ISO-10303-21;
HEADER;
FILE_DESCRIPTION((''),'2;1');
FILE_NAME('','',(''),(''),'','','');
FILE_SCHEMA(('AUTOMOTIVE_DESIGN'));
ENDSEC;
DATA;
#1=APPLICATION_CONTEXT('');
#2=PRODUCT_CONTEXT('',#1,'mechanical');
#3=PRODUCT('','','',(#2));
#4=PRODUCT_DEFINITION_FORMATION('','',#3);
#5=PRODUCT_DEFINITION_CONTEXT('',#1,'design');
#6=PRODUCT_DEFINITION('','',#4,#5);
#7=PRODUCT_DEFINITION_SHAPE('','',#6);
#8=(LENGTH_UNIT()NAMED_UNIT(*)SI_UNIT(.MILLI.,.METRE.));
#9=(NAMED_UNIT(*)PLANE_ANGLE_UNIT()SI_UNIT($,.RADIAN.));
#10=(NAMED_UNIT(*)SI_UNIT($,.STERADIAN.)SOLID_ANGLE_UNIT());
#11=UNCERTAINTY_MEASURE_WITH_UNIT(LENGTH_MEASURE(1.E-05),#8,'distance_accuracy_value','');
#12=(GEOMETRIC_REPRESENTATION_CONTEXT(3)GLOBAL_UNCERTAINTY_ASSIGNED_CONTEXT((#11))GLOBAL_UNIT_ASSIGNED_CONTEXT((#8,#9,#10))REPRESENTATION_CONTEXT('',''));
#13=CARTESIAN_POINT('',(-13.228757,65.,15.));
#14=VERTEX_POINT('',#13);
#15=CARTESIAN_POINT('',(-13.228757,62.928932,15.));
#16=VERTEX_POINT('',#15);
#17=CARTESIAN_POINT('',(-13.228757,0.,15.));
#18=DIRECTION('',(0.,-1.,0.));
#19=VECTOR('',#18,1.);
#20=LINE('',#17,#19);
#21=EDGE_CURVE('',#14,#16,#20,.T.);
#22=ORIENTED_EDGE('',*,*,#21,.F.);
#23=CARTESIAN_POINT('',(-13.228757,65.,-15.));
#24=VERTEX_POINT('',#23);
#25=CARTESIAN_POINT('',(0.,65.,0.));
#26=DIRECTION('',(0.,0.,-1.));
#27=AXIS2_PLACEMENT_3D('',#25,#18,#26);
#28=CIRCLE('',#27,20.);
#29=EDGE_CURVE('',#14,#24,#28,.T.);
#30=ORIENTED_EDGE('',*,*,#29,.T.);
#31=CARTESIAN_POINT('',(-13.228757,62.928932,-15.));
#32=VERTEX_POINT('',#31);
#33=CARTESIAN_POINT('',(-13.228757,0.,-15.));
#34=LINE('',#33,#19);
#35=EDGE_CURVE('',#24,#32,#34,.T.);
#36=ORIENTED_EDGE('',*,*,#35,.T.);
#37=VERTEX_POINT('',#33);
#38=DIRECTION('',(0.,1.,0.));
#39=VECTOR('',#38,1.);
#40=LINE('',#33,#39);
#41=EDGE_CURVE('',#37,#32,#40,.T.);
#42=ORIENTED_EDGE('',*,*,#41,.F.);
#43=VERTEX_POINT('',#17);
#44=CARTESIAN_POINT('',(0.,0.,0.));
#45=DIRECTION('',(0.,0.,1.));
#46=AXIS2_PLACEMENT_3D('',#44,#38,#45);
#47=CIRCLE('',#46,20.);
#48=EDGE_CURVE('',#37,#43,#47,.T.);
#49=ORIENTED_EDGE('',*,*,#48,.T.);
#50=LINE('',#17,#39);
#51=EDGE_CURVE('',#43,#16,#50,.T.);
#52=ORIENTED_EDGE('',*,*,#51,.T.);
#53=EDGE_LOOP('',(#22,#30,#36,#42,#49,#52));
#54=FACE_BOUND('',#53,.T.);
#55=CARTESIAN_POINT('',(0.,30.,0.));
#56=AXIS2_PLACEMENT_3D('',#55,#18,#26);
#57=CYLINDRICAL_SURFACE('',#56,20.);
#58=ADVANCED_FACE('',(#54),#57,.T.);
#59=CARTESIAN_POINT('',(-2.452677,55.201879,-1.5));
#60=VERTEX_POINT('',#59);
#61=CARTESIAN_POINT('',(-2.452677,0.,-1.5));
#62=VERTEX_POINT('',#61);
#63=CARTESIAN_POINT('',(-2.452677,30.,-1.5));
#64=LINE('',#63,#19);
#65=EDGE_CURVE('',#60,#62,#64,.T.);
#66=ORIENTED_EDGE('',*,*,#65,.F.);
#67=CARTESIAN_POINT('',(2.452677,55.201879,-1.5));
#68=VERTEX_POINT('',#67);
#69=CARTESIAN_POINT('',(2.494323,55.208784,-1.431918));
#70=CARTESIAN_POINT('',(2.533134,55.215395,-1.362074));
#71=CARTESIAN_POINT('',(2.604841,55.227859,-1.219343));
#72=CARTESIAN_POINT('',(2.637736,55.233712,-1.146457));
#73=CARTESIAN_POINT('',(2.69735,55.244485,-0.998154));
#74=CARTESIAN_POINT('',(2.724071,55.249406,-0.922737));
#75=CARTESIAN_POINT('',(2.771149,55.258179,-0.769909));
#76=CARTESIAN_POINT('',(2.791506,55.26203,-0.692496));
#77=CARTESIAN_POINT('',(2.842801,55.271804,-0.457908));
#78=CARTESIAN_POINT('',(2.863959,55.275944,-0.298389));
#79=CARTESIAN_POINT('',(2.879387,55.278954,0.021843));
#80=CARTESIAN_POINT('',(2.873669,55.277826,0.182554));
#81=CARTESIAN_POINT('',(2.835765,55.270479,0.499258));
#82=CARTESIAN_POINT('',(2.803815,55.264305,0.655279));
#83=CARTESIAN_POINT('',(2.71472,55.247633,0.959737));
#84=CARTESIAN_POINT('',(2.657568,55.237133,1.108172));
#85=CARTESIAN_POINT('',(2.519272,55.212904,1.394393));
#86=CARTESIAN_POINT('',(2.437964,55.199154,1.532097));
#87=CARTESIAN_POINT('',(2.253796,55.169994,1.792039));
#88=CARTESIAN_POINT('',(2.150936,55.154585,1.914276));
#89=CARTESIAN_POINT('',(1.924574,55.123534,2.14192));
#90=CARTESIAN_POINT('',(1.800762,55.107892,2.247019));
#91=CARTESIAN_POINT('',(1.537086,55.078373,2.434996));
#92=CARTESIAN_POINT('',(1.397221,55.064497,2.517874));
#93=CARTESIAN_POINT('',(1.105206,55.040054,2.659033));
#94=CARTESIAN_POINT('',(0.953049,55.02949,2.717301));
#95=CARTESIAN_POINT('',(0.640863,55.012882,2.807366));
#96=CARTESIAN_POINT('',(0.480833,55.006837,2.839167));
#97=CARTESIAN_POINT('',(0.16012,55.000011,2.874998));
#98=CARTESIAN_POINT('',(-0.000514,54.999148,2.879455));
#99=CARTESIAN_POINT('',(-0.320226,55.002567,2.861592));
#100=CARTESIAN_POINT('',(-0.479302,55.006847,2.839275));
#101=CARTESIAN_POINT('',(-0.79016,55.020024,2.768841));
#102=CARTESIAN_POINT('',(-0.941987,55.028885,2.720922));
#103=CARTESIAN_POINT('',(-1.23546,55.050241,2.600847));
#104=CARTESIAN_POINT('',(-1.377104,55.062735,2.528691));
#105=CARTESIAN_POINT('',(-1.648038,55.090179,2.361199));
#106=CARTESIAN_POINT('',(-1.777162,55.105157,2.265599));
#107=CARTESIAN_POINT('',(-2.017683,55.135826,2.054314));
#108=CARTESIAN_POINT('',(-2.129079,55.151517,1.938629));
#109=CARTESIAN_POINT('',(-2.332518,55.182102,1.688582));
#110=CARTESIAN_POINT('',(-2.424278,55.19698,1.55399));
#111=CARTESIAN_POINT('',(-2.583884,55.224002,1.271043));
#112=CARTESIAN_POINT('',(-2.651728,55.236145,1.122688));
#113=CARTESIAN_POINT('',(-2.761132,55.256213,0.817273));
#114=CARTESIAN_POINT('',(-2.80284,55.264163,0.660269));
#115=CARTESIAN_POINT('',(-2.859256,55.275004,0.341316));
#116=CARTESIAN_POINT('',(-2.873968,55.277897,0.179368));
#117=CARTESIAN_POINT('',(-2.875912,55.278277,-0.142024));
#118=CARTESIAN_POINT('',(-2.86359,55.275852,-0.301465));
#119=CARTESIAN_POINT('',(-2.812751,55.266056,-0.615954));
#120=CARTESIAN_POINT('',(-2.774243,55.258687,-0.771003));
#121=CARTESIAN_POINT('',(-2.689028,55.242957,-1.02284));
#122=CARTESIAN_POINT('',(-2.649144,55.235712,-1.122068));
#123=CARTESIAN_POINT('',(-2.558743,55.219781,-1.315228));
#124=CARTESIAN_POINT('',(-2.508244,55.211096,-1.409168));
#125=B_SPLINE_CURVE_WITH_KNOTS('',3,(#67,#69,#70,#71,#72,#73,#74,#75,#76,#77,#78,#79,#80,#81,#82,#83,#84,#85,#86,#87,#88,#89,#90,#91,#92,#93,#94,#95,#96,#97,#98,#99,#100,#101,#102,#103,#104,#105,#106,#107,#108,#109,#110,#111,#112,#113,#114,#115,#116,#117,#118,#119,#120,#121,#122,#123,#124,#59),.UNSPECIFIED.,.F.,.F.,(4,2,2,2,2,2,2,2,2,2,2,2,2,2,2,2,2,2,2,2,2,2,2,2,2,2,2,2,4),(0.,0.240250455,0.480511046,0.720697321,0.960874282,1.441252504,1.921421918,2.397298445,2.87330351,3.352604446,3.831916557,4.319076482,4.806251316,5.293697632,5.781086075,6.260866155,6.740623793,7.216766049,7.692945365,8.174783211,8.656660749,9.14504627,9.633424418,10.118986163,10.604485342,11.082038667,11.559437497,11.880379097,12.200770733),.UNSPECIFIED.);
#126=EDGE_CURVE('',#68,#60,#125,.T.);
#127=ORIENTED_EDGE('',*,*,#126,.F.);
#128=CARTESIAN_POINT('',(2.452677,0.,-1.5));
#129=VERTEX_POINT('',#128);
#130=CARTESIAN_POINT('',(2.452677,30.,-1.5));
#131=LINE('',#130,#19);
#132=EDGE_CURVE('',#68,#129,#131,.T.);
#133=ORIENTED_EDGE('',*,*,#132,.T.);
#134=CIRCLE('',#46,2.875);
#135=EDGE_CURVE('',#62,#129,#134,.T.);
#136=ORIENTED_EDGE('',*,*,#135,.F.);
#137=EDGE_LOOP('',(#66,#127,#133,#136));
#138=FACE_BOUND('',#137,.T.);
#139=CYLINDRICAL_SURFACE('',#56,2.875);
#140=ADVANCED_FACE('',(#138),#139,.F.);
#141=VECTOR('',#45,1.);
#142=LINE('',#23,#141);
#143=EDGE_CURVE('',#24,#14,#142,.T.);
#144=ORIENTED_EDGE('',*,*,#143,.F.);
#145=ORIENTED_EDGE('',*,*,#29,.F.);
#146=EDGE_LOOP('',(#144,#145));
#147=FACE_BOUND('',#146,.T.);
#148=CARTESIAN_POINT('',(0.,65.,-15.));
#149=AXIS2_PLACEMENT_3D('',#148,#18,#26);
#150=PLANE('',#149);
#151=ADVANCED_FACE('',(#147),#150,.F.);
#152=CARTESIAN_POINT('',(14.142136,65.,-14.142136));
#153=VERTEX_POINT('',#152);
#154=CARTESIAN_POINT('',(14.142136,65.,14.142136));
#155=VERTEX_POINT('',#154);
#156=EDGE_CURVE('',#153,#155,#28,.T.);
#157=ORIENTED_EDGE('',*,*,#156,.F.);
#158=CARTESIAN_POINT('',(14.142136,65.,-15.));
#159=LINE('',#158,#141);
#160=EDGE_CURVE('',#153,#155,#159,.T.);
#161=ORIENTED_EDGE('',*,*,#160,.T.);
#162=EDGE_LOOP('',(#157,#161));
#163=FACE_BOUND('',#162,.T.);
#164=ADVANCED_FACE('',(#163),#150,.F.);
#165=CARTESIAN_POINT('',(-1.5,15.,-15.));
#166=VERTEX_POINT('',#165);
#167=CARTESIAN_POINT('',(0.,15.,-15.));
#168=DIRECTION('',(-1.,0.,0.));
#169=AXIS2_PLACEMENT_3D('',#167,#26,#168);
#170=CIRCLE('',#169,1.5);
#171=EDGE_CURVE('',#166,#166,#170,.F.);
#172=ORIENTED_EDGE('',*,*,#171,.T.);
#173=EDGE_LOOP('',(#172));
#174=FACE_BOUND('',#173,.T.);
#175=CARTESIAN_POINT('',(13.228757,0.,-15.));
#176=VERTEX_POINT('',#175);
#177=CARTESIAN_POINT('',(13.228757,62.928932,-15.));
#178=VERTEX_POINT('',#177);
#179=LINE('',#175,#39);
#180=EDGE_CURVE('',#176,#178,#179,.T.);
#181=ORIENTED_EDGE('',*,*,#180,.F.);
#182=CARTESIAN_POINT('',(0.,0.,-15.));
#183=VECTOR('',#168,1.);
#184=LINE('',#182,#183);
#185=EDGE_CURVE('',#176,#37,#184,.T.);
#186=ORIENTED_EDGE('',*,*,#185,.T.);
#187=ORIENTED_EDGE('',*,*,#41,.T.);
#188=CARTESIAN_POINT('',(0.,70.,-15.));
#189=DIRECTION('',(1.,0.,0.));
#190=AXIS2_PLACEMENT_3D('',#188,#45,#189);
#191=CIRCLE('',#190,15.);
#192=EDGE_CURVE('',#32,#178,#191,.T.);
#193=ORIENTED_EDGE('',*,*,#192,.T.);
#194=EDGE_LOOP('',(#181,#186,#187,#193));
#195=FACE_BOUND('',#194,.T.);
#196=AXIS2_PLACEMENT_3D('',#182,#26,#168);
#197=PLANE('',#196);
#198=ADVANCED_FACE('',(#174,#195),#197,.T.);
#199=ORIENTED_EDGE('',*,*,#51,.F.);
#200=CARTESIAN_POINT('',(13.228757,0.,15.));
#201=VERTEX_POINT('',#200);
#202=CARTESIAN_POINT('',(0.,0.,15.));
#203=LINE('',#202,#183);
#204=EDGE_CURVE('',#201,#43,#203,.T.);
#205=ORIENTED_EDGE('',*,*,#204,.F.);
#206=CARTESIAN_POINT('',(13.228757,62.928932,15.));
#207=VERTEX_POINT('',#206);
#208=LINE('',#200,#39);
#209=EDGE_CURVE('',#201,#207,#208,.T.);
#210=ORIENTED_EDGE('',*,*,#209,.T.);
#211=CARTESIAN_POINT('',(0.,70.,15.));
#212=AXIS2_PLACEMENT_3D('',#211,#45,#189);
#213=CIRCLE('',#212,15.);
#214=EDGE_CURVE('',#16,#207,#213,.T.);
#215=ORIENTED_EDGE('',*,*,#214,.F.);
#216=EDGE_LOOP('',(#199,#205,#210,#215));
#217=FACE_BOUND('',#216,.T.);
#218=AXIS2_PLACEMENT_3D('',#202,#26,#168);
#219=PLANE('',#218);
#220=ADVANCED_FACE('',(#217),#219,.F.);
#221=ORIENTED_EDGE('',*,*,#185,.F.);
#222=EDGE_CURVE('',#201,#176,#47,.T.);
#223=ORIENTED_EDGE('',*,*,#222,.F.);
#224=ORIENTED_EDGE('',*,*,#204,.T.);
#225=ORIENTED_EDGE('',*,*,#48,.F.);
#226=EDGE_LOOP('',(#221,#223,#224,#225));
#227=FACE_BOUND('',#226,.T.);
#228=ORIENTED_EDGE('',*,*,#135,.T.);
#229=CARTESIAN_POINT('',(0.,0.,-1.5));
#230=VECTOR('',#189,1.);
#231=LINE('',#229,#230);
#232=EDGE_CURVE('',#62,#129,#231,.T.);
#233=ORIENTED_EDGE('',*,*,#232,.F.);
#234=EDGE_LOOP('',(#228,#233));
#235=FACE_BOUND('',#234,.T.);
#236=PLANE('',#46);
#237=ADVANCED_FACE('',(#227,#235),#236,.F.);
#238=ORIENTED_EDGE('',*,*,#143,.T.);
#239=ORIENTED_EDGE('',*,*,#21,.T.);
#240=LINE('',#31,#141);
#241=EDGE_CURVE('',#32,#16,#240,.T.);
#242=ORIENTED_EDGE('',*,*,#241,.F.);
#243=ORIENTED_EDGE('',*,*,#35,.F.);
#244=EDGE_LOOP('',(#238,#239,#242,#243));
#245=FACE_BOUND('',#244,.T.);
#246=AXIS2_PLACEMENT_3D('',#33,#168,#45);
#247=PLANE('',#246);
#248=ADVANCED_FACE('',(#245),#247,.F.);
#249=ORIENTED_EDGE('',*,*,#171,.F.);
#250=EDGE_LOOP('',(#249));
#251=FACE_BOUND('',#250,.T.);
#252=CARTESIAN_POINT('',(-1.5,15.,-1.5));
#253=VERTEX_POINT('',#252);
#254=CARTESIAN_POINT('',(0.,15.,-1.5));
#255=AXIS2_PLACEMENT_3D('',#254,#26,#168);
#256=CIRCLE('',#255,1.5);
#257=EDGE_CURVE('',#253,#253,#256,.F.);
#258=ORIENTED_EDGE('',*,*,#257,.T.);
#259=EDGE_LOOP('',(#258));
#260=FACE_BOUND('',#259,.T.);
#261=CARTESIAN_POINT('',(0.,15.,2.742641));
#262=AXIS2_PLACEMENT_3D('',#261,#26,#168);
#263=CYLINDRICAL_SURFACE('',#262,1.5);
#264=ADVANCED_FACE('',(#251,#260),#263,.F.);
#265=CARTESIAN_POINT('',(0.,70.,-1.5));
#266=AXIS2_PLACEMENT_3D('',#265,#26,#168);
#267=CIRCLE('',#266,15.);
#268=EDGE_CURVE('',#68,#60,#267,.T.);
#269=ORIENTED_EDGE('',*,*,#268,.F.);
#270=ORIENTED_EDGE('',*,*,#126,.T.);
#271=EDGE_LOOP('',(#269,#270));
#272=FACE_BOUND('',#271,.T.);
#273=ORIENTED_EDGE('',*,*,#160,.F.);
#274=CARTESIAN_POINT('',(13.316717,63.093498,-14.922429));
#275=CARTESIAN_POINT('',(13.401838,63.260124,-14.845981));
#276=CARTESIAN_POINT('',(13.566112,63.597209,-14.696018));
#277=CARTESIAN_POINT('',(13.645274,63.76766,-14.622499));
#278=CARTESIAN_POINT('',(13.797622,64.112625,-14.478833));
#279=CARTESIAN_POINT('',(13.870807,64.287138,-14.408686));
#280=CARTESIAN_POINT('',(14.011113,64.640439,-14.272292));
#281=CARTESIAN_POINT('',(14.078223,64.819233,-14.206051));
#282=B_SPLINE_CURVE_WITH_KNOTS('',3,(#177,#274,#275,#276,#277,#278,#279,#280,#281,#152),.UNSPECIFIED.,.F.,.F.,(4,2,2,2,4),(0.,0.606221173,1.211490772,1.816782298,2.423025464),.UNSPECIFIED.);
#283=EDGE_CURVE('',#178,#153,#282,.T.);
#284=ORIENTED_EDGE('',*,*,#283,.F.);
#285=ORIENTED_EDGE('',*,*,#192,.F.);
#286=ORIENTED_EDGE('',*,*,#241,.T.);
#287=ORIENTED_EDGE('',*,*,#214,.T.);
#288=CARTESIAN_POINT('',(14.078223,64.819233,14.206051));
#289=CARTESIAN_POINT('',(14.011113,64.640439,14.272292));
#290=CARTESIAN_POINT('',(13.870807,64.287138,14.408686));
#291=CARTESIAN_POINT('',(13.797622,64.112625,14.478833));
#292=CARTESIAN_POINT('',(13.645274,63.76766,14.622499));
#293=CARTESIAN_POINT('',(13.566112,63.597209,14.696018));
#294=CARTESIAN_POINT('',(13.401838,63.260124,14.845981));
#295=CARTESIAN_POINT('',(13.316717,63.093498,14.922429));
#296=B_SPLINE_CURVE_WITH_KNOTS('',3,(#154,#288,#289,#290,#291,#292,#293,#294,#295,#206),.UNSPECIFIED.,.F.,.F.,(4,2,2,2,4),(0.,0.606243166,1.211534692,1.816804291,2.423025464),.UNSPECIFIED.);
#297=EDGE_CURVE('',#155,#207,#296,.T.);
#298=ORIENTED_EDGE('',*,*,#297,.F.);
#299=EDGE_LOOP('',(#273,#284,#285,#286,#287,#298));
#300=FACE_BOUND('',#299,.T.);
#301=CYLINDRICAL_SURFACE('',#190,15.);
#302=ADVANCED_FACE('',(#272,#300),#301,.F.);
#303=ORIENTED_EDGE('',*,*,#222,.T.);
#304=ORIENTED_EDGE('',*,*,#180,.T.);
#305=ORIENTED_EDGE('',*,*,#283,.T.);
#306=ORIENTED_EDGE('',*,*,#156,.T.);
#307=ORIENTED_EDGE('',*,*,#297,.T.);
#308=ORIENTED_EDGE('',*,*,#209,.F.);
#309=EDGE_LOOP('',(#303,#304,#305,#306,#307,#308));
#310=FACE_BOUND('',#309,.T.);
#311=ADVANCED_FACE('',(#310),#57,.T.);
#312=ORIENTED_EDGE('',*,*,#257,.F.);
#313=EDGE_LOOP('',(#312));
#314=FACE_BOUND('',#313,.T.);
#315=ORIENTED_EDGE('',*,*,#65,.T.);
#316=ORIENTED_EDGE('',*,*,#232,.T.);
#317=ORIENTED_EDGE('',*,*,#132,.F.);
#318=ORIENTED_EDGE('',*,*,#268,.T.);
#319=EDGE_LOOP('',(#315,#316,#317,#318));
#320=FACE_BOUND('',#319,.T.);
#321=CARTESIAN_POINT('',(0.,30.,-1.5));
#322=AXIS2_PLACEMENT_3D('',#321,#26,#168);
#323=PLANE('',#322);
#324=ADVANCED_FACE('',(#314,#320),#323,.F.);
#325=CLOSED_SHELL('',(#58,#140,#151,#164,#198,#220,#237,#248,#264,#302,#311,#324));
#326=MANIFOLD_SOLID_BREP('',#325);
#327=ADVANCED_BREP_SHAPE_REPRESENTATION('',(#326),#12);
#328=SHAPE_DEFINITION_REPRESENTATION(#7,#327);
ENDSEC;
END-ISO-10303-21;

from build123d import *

# Parameters (mm, degrees)
SKETCH1_R           = 20
BOSS_EXTRUDE1_DEPTH = 30
SKETCH2_R           = 1.5
CUT_EXTRUDE1_DEPTH  = 18.5
CUT_EXTRUDE2_DEPTH  = 42.231056426
BOSS_EXTRUDE2_DEPTH = 40
SKETCH5_W           = 26.45751311
SKETCH5_H           = 5
CUT_EXTRUDE3_DEPTH  = 79.74007874


with BuildPart() as part:
    # Sketch1 → Boss-Extrude1 (new body)
    with BuildSketch(Plane(origin=(0, 0, 0), x_dir=(1, 0, 0), z_dir=(0, 1, 0))):
        with Locations(Location((0, 0, 0), (0, 0, 270))):
            Circle(SKETCH1_R)
        with BuildLine():
            Line((-2.452677109, 1.5), (2.452677109, 1.5))
            ThreePointArc((2.452677109, 1.5), (0, -2.875), (-2.452677109, 1.5))
        make_face(mode=Mode.SUBTRACT)
    extrude(amount=BOSS_EXTRUDE1_DEPTH)

    # Sketch2 → Cut-Extrude1 (cut)
    with BuildSketch(Plane(origin=(0, 0, -20), x_dir=(-1, 0, 0), z_dir=(0, 0, -1))):
        with Locations((0, 15)):
            Circle(SKETCH2_R)
    extrude(amount=-CUT_EXTRUDE1_DEPTH, mode=Mode.SUBTRACT)

    # Sketch3 → Cut-Extrude2 (cut, through all)
    with BuildSketch(Plane(origin=(0, 30, 0), x_dir=(1, 0, 0), z_dir=(0, 1, 0))):
        with BuildLine():
            ThreePointArc((-13.228756555, -15), (0, -20), (13.228756555, -15))
            Line((13.228756555, -15), (-13.228756555, -15))
        make_face()
        with BuildLine():
            Line((-13.228756555, 15), (13.228756555, 15))
            ThreePointArc((13.228756555, 15), (0, 20), (-13.228756555, 15))
        make_face()
    extrude(amount=-CUT_EXTRUDE2_DEPTH, mode=Mode.SUBTRACT)

    # Sketch4 → Boss-Extrude2 (add)
    with BuildSketch(Plane(origin=(0, 30, 0), x_dir=(1, 0, 0), z_dir=(0, 1, 0))):
        with BuildLine():
            Line((-13.228756555, -15), (13.228756555, -15))
            ThreePointArc((13.228756555, -15), (20, 0), (13.228756555, 15))
            Line((13.228756555, 15), (-13.228756555, 15))
            ThreePointArc((-13.228756555, 15), (-20, 0), (-13.228756555, -15))
        make_face()
        with BuildLine():
            Line((-2.452677109, 1.5), (2.452677109, 1.5))
            ThreePointArc((2.452677109, 1.5), (0, -2.875), (-2.452677109, 1.5))
        make_face(mode=Mode.SUBTRACT)
    extrude(amount=BOSS_EXTRUDE2_DEPTH)

    # Sketch5 → Cut-Extrude3 (cut, through all)
    with BuildSketch(Plane.XY.offset(15)):
        with Locations((0, 67.5)):
            Rectangle(SKETCH5_W, SKETCH5_H)
        with BuildLine():
            Line((13.228756555, 65), (-13.228756555, 65))
            Line((-13.228756555, 65), (-13.228756555, 62.928932188))
            ThreePointArc((-13.228756555, 62.928932188), (0, 55), (13.228756555, 62.928932188))
            Line((13.228756555, 62.928932188), (13.228756555, 65))
        make_face()
        with BuildLine():
            Line((14.142135624, 75), (-14.142135624, 75))
            ThreePointArc((-14.142135624, 75), (-15, 70), (-14.142135624, 65))
            Line((-14.142135624, 65), (-13.228756555, 65))
            Line((-13.228756555, 65), (-13.228756555, 70))
            Line((-13.228756555, 70), (13.228756555, 70))
            Line((13.228756555, 70), (13.228756555, 65))
            Line((13.228756555, 65), (14.142135624, 65))
            ThreePointArc((14.142135624, 65), (14.783978395, 67.463470319), (15, 70))
            ThreePointArc((15, 70), (14.783978395, 72.536529681), (14.142135624, 75))
        make_face()
        with BuildLine():
            Line((20, 75), (14.142135624, 75))
            ThreePointArc((14.142135624, 75), (14.783978395, 72.536529681), (15, 70))
            ThreePointArc((15, 70), (14.783978395, 67.463470319), (14.142135624, 65))
            Line((14.142135624, 65), (20, 65))
            Line((20, 65), (20, 75))
        make_face()
        with BuildLine():
            ThreePointArc((13.228756555, 62.928932188), (13.72456794, 63.947212637), (14.142135624, 65))
            Line((14.142135624, 65), (13.228756555, 65))
            Line((13.228756555, 65), (13.228756555, 62.928932188))
        make_face()
        with BuildLine():
            Line((-14.142135624, 75), (-20, 75))
            Line((-20, 75), (-20, 65))
            Line((-20, 65), (-14.142135624, 65))
            ThreePointArc((-14.142135624, 65), (-15, 70), (-14.142135624, 75))
        make_face()
    extrude(amount=-CUT_EXTRUDE3_DEPTH, mode=Mode.SUBTRACT)


solid = part.part
